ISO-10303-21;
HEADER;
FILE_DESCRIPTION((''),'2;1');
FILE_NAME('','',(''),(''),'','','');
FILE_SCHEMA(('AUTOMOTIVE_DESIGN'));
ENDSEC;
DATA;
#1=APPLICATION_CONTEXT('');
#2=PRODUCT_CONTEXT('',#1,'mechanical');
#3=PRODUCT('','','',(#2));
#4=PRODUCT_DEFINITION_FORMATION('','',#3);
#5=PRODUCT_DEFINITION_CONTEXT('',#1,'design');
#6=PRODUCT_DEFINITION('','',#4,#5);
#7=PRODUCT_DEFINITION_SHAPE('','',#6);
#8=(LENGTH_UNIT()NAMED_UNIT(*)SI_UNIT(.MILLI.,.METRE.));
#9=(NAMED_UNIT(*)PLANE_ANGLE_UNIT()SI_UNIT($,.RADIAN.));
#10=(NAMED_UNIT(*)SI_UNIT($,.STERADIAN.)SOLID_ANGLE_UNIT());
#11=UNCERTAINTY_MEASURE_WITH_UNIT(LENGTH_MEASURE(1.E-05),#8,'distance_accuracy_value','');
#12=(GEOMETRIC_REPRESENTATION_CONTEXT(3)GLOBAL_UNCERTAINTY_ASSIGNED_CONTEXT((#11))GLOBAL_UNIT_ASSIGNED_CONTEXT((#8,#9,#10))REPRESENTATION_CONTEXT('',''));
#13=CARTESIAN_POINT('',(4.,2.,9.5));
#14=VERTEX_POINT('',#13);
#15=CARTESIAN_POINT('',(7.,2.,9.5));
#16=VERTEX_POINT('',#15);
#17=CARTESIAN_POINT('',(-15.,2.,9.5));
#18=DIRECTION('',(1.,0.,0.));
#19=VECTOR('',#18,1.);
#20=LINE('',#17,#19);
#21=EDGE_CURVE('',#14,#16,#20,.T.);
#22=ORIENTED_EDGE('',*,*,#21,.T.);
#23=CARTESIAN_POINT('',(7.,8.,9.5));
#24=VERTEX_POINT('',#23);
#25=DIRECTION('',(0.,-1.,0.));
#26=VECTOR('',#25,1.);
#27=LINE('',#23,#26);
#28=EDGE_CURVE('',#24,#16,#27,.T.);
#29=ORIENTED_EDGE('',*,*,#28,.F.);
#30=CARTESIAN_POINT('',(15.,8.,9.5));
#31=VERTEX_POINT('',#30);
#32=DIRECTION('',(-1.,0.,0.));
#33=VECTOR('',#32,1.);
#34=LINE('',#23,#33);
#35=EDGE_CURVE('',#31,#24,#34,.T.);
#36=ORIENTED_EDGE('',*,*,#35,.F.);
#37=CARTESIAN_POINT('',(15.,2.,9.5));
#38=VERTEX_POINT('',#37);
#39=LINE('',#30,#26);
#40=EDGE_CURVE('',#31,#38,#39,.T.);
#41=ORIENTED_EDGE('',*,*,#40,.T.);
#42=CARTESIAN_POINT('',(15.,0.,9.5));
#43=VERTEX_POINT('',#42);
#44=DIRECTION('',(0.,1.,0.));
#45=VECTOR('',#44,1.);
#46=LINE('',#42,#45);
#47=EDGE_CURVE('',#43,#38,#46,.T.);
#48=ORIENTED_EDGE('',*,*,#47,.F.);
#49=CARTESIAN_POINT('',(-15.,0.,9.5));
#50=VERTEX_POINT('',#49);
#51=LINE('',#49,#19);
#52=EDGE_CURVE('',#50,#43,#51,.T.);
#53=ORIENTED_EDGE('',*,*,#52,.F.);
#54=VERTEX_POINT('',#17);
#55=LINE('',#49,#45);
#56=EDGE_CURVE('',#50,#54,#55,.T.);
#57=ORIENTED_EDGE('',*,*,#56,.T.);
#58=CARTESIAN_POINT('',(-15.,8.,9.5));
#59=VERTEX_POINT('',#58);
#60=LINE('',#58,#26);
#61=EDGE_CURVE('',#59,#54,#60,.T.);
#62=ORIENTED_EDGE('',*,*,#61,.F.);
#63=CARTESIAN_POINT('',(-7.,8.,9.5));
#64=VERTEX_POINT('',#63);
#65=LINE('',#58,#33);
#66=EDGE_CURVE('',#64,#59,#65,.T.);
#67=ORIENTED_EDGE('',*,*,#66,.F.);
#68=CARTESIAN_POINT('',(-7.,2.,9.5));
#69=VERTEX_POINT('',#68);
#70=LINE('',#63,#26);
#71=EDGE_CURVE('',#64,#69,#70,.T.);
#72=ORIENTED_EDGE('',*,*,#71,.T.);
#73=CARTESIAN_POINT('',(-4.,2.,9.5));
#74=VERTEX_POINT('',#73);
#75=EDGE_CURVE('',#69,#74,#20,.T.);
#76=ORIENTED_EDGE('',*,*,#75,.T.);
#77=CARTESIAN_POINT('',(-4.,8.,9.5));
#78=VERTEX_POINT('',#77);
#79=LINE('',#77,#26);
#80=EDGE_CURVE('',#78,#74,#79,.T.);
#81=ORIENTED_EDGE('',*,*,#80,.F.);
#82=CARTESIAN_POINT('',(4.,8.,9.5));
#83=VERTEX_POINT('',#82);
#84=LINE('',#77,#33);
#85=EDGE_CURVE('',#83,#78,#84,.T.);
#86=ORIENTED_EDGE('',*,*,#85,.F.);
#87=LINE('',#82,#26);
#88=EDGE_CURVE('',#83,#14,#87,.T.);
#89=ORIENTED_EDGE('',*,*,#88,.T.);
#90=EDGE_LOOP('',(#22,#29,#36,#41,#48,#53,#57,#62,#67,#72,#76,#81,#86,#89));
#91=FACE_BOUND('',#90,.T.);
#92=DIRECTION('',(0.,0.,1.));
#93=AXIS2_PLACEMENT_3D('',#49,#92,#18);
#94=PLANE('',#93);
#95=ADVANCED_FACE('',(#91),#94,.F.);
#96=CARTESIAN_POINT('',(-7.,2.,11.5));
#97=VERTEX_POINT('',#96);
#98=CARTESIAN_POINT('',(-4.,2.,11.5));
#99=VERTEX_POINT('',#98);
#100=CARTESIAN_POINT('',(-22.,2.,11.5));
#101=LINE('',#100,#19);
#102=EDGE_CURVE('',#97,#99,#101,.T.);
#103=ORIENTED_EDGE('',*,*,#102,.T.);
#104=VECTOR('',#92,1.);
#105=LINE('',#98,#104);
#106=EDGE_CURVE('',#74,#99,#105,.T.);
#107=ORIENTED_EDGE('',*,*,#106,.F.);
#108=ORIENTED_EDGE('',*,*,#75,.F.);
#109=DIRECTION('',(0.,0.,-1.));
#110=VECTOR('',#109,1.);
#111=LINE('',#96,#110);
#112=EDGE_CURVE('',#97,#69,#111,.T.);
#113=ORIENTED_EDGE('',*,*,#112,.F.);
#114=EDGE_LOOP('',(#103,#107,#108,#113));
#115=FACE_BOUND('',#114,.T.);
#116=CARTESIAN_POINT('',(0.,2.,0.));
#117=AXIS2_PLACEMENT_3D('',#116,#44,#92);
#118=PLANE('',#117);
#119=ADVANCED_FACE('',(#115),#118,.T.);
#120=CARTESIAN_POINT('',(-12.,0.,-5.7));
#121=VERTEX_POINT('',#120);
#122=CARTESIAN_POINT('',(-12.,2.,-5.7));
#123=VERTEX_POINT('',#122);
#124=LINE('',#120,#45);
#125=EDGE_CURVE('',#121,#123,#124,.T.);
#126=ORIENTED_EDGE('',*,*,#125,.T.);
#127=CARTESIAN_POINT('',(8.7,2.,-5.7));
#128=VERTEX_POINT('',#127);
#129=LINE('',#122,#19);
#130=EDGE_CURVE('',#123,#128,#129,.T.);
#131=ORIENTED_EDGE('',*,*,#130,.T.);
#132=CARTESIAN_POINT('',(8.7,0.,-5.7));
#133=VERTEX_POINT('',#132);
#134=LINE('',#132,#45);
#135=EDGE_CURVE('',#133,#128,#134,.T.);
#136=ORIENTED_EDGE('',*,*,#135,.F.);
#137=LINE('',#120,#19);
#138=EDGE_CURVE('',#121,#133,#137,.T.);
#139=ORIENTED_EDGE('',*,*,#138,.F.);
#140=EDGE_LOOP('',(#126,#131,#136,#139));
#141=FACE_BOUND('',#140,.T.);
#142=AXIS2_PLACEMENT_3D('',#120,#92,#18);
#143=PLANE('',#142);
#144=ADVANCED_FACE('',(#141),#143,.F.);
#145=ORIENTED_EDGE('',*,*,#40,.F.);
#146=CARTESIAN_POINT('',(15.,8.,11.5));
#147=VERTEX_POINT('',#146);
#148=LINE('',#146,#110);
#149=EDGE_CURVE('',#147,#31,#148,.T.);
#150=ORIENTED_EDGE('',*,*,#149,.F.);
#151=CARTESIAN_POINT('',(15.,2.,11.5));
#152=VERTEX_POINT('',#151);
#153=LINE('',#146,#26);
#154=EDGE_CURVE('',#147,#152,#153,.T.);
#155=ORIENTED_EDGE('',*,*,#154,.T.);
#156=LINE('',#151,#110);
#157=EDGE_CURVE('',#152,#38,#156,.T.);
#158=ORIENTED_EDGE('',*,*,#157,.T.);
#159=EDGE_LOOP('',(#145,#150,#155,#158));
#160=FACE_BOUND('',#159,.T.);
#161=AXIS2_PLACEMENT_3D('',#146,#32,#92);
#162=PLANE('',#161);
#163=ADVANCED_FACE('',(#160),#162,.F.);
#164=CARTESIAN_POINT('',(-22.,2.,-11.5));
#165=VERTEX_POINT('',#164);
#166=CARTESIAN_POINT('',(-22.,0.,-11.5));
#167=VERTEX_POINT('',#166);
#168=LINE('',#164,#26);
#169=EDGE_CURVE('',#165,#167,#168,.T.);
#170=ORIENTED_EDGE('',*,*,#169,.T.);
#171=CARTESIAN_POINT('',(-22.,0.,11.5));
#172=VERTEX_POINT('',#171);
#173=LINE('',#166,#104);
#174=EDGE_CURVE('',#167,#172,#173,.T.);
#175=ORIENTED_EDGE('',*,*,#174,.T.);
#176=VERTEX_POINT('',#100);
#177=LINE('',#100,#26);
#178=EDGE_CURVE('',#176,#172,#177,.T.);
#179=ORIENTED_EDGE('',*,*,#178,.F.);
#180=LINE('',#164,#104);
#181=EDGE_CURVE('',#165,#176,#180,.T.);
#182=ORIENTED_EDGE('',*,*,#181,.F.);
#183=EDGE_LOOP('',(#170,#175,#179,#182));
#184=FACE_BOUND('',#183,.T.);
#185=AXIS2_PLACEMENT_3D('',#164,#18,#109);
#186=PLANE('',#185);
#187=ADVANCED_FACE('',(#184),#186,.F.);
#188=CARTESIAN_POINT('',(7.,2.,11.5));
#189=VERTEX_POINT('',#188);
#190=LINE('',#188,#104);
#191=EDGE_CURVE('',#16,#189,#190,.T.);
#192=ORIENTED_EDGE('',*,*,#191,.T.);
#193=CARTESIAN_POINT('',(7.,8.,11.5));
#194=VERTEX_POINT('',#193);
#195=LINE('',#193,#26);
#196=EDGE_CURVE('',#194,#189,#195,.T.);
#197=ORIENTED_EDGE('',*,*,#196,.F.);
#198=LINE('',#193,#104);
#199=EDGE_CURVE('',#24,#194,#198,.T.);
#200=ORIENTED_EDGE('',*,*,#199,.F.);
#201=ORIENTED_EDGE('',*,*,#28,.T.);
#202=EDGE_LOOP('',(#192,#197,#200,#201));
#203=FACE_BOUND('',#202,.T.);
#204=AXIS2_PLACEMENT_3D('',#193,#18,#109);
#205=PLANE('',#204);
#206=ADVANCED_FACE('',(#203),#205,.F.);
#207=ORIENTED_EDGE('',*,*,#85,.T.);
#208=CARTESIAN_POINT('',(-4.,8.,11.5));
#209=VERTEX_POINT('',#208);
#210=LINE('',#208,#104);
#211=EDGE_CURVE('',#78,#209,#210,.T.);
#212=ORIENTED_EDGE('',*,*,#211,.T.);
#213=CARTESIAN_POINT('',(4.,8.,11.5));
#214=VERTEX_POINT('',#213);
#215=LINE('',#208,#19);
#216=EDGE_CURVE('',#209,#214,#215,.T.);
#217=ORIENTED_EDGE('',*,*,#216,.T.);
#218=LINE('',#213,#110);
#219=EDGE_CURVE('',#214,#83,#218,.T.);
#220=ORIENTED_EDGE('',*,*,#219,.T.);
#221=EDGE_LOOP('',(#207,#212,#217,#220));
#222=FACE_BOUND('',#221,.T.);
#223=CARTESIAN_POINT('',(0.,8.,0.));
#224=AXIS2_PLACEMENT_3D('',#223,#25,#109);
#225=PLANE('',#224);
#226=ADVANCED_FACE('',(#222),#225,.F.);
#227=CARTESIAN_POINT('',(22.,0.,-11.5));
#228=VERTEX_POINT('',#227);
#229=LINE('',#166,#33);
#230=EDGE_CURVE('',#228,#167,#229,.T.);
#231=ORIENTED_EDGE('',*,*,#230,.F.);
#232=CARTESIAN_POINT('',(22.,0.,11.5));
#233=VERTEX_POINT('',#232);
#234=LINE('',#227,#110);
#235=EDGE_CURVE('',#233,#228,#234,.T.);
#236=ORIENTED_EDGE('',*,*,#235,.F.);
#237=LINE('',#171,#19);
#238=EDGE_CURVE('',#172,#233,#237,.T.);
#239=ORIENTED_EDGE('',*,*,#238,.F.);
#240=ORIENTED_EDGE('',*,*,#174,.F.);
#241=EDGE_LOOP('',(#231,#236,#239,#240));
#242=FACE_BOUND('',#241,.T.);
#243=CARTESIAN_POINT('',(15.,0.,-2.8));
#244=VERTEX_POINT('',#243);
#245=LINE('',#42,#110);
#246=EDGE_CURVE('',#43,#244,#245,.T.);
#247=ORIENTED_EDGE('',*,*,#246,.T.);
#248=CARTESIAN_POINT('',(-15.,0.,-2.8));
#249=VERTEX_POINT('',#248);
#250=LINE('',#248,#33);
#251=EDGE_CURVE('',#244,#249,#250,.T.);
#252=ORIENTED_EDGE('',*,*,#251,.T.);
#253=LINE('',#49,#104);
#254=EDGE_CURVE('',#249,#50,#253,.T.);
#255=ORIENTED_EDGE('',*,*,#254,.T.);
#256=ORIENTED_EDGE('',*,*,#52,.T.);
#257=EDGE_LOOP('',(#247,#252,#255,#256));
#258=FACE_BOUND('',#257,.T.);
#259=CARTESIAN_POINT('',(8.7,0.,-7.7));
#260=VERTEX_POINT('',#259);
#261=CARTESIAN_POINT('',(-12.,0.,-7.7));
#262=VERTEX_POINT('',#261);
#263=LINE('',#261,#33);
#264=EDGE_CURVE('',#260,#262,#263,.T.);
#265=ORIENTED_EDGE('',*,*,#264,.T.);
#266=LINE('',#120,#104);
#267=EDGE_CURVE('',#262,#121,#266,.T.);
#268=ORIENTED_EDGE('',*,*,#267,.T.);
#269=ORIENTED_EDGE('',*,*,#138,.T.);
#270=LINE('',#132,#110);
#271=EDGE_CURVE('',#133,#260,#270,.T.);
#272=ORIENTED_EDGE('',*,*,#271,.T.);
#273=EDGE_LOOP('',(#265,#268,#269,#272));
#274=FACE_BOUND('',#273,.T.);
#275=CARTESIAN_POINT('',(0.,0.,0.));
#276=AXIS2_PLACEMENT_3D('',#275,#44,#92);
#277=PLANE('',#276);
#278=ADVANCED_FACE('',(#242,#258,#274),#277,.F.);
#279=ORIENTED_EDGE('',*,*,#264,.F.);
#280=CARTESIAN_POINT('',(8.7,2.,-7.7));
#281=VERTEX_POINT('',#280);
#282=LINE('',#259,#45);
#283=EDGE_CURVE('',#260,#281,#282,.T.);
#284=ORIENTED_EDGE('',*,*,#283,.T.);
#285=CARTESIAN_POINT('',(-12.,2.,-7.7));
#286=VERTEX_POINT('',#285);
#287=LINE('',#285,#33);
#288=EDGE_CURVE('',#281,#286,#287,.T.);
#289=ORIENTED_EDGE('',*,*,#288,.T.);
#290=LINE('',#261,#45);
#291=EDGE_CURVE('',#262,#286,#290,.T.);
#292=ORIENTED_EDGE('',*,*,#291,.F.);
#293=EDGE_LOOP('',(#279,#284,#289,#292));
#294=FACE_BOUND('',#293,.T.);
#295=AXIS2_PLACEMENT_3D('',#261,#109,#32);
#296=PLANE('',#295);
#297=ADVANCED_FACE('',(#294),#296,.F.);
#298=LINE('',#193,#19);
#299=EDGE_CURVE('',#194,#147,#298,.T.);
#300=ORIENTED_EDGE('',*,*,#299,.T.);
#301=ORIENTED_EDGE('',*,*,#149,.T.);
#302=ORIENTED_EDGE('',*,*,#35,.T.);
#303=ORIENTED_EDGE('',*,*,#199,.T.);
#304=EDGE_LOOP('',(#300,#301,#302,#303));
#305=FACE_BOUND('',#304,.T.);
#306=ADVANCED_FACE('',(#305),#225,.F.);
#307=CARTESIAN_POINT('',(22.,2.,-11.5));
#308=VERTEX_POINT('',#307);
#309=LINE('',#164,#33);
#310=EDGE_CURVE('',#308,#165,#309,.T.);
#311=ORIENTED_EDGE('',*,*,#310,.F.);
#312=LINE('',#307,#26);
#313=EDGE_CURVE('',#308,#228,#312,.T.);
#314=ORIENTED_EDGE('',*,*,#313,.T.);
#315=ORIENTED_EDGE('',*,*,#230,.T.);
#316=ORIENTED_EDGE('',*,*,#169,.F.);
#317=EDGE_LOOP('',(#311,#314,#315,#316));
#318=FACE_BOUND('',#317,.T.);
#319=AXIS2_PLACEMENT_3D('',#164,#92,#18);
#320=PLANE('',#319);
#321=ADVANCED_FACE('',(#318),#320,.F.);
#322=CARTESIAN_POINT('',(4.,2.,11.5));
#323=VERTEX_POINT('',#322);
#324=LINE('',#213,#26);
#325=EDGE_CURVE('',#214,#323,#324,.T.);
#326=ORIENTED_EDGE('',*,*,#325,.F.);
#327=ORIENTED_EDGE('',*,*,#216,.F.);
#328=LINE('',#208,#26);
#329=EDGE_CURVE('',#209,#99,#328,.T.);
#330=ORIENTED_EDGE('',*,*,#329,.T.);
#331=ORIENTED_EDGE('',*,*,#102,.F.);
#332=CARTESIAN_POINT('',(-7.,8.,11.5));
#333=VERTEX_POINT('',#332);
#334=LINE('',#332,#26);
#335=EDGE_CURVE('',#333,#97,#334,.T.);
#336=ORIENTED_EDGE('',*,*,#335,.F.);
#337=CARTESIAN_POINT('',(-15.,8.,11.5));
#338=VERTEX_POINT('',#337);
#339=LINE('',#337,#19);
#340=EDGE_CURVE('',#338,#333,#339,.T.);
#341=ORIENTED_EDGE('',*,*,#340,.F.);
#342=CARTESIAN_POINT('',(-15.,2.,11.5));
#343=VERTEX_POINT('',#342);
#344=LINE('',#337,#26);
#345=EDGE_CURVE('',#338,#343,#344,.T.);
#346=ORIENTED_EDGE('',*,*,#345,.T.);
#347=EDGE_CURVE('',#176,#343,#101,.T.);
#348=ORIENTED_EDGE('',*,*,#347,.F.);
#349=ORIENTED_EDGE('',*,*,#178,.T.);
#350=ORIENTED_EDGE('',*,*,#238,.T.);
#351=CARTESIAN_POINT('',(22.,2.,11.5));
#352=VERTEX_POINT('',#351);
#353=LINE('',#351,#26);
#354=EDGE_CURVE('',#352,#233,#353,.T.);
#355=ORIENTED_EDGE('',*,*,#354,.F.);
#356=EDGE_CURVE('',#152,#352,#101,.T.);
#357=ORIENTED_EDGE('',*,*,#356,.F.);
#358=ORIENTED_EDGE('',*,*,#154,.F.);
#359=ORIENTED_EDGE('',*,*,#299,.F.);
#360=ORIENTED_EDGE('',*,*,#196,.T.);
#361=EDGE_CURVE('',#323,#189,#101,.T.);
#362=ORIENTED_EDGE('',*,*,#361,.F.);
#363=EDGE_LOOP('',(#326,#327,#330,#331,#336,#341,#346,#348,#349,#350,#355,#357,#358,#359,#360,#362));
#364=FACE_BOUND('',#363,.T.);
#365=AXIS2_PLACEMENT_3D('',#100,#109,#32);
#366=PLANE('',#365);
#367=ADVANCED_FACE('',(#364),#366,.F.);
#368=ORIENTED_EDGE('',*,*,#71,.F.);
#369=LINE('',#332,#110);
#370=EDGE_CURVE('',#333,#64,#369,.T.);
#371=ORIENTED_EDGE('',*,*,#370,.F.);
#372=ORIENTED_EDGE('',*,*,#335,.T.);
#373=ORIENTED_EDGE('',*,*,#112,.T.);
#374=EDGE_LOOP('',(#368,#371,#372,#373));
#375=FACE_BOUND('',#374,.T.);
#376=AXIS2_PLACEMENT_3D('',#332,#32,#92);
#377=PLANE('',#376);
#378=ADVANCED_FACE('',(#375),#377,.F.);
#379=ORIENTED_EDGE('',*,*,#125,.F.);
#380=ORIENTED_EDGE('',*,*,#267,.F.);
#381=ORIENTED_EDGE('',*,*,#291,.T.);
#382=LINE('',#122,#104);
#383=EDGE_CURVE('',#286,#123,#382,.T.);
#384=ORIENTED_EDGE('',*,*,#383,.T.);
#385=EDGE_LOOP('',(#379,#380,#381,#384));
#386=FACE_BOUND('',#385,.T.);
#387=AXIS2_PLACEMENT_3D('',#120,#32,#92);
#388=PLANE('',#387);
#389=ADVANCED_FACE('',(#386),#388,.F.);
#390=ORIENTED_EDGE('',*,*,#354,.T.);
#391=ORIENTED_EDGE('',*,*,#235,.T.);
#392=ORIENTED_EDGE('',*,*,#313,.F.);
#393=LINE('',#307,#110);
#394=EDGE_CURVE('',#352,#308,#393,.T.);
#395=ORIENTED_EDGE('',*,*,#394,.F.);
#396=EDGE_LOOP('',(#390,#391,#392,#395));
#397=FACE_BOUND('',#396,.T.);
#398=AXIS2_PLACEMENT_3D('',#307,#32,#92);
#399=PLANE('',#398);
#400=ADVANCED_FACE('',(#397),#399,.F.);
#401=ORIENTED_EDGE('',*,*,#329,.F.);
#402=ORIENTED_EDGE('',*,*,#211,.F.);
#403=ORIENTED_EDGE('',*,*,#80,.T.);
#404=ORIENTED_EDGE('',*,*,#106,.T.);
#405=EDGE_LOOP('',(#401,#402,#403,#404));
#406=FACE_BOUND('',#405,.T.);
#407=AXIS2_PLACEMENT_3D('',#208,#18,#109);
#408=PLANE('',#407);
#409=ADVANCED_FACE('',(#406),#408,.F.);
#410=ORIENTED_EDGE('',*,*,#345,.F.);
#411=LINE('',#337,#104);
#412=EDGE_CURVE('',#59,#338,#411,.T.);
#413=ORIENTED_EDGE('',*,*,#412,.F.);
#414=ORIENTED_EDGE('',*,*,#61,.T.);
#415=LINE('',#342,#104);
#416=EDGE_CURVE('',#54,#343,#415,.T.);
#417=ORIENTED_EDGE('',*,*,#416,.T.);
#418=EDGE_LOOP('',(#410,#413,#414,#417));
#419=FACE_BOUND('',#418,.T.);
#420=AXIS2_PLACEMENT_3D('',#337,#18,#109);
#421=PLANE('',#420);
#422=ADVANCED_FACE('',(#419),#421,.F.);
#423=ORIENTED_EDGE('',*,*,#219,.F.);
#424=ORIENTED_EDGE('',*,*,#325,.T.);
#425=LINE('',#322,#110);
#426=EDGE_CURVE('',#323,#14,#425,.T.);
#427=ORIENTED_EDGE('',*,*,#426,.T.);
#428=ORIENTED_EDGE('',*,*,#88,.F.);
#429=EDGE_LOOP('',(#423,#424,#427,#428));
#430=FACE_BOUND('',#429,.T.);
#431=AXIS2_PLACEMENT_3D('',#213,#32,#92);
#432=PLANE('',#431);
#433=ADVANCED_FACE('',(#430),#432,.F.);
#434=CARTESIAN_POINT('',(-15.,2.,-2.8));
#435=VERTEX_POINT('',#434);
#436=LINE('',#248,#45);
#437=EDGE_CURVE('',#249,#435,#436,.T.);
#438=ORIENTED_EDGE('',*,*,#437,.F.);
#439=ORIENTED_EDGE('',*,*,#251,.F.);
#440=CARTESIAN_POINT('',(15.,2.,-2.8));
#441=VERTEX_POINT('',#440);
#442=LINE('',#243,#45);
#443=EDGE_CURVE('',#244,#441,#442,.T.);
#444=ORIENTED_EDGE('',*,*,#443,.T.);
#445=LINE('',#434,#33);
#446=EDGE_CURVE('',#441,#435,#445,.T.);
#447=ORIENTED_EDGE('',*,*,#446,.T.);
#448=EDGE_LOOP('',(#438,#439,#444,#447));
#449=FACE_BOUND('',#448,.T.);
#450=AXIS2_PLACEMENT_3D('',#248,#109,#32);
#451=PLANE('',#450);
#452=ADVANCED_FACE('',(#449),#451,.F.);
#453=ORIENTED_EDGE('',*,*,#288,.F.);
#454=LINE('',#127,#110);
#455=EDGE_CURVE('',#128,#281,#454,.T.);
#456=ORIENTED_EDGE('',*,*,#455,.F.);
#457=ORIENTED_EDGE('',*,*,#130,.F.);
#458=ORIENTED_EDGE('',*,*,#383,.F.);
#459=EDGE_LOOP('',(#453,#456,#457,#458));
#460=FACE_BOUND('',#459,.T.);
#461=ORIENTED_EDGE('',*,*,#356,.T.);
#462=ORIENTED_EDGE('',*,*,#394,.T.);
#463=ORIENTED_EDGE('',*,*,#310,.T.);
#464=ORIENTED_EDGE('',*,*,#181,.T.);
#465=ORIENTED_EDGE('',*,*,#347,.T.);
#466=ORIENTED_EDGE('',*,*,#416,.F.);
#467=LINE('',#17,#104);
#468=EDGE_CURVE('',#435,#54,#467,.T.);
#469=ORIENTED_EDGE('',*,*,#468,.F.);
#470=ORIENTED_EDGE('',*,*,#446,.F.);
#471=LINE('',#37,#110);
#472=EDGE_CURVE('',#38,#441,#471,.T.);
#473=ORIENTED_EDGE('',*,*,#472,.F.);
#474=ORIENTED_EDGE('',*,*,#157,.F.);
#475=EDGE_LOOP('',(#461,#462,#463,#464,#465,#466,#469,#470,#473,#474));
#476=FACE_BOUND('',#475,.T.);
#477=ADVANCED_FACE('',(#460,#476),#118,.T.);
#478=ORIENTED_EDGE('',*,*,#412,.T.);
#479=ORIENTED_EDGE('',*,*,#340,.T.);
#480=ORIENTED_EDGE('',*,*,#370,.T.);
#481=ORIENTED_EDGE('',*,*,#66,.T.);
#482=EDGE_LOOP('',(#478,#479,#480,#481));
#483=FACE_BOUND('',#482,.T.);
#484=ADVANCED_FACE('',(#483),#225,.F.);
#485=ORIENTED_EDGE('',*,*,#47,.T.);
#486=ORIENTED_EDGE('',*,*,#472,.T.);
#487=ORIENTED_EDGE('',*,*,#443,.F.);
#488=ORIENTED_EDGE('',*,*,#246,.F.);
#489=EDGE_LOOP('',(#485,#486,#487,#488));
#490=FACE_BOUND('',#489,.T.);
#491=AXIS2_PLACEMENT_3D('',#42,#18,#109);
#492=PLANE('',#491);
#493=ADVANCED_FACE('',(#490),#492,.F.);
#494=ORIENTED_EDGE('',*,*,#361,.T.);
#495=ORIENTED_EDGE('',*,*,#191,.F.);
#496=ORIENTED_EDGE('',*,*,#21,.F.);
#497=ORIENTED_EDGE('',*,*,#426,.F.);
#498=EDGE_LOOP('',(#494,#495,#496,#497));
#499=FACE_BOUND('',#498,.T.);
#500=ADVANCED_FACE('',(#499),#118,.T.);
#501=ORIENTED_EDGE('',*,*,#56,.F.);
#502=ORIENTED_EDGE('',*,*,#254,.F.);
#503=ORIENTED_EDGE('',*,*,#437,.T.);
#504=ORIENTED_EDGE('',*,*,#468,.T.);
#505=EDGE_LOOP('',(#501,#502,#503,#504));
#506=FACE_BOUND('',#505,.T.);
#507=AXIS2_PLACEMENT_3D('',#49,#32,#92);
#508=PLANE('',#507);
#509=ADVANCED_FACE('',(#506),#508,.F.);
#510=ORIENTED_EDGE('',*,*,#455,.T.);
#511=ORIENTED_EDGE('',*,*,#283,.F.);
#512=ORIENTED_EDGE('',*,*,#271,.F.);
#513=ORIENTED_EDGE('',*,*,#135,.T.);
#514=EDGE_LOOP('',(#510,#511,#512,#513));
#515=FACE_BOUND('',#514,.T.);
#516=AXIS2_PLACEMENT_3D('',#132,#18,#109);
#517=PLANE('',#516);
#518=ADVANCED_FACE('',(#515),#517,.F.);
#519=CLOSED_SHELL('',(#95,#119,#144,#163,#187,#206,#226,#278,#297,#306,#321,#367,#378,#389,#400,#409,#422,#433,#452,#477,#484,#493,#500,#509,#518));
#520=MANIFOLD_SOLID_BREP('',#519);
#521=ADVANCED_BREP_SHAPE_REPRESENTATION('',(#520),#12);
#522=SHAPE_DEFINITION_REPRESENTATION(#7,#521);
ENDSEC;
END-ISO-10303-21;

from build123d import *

# Parameters (mm, degrees)
SKETCH1_W           = 44
SKETCH1_H           = 23
BOSS_EXTRUDE1_DEPTH = 2
SKETCH2_W           = 20.7
SKETCH2_H           = 2
SKETCH2_W_2         = 30
SKETCH2_H_2         = 12.3
CUT_EXTRUDE1_DEPTH  = 2
SKETCH3_W           = 8
SKETCH3_H           = 2
BOSS_EXTRUDE2_DEPTH = 6


with BuildPart() as part:
    # Sketch1 → Boss-Extrude1 (new body)
    with BuildSketch(Plane(origin=(0, 0, 0), x_dir=(1, 0, 0), z_dir=(0, 1, 0))):
        Rectangle(SKETCH1_W, SKETCH1_H)
    extrude(amount=BOSS_EXTRUDE1_DEPTH)

    # Sketch2 → Cut-Extrude1 (cut)
    with BuildSketch(Plane(origin=(0, 2, 0), x_dir=(1, 0, 0), z_dir=(0, 1, 0))):
        with Locations((-1.65, 6.7)):
            Rectangle(SKETCH2_W, SKETCH2_H)
        with Locations((0, -3.35)):
            Rectangle(SKETCH2_W_2, SKETCH2_H_2)
    extrude(amount=-CUT_EXTRUDE1_DEPTH, mode=Mode.SUBTRACT)

    # Sketch3 → Boss-Extrude2 (add)
    with BuildSketch(Plane(origin=(0, 2, 0), x_dir=(1, 0, 0), z_dir=(0, 1, 0))):
        with Locations((-11, -10.5)):
            Rectangle(SKETCH3_W, SKETCH3_H)
        with Locations((0, -10.5)):
            Rectangle(SKETCH3_W, SKETCH3_H)
        with Locations((11, -10.5)):
            Rectangle(SKETCH3_W, SKETCH3_H)
    extrude(amount=BOSS_EXTRUDE2_DEPTH)


solid = part.part
